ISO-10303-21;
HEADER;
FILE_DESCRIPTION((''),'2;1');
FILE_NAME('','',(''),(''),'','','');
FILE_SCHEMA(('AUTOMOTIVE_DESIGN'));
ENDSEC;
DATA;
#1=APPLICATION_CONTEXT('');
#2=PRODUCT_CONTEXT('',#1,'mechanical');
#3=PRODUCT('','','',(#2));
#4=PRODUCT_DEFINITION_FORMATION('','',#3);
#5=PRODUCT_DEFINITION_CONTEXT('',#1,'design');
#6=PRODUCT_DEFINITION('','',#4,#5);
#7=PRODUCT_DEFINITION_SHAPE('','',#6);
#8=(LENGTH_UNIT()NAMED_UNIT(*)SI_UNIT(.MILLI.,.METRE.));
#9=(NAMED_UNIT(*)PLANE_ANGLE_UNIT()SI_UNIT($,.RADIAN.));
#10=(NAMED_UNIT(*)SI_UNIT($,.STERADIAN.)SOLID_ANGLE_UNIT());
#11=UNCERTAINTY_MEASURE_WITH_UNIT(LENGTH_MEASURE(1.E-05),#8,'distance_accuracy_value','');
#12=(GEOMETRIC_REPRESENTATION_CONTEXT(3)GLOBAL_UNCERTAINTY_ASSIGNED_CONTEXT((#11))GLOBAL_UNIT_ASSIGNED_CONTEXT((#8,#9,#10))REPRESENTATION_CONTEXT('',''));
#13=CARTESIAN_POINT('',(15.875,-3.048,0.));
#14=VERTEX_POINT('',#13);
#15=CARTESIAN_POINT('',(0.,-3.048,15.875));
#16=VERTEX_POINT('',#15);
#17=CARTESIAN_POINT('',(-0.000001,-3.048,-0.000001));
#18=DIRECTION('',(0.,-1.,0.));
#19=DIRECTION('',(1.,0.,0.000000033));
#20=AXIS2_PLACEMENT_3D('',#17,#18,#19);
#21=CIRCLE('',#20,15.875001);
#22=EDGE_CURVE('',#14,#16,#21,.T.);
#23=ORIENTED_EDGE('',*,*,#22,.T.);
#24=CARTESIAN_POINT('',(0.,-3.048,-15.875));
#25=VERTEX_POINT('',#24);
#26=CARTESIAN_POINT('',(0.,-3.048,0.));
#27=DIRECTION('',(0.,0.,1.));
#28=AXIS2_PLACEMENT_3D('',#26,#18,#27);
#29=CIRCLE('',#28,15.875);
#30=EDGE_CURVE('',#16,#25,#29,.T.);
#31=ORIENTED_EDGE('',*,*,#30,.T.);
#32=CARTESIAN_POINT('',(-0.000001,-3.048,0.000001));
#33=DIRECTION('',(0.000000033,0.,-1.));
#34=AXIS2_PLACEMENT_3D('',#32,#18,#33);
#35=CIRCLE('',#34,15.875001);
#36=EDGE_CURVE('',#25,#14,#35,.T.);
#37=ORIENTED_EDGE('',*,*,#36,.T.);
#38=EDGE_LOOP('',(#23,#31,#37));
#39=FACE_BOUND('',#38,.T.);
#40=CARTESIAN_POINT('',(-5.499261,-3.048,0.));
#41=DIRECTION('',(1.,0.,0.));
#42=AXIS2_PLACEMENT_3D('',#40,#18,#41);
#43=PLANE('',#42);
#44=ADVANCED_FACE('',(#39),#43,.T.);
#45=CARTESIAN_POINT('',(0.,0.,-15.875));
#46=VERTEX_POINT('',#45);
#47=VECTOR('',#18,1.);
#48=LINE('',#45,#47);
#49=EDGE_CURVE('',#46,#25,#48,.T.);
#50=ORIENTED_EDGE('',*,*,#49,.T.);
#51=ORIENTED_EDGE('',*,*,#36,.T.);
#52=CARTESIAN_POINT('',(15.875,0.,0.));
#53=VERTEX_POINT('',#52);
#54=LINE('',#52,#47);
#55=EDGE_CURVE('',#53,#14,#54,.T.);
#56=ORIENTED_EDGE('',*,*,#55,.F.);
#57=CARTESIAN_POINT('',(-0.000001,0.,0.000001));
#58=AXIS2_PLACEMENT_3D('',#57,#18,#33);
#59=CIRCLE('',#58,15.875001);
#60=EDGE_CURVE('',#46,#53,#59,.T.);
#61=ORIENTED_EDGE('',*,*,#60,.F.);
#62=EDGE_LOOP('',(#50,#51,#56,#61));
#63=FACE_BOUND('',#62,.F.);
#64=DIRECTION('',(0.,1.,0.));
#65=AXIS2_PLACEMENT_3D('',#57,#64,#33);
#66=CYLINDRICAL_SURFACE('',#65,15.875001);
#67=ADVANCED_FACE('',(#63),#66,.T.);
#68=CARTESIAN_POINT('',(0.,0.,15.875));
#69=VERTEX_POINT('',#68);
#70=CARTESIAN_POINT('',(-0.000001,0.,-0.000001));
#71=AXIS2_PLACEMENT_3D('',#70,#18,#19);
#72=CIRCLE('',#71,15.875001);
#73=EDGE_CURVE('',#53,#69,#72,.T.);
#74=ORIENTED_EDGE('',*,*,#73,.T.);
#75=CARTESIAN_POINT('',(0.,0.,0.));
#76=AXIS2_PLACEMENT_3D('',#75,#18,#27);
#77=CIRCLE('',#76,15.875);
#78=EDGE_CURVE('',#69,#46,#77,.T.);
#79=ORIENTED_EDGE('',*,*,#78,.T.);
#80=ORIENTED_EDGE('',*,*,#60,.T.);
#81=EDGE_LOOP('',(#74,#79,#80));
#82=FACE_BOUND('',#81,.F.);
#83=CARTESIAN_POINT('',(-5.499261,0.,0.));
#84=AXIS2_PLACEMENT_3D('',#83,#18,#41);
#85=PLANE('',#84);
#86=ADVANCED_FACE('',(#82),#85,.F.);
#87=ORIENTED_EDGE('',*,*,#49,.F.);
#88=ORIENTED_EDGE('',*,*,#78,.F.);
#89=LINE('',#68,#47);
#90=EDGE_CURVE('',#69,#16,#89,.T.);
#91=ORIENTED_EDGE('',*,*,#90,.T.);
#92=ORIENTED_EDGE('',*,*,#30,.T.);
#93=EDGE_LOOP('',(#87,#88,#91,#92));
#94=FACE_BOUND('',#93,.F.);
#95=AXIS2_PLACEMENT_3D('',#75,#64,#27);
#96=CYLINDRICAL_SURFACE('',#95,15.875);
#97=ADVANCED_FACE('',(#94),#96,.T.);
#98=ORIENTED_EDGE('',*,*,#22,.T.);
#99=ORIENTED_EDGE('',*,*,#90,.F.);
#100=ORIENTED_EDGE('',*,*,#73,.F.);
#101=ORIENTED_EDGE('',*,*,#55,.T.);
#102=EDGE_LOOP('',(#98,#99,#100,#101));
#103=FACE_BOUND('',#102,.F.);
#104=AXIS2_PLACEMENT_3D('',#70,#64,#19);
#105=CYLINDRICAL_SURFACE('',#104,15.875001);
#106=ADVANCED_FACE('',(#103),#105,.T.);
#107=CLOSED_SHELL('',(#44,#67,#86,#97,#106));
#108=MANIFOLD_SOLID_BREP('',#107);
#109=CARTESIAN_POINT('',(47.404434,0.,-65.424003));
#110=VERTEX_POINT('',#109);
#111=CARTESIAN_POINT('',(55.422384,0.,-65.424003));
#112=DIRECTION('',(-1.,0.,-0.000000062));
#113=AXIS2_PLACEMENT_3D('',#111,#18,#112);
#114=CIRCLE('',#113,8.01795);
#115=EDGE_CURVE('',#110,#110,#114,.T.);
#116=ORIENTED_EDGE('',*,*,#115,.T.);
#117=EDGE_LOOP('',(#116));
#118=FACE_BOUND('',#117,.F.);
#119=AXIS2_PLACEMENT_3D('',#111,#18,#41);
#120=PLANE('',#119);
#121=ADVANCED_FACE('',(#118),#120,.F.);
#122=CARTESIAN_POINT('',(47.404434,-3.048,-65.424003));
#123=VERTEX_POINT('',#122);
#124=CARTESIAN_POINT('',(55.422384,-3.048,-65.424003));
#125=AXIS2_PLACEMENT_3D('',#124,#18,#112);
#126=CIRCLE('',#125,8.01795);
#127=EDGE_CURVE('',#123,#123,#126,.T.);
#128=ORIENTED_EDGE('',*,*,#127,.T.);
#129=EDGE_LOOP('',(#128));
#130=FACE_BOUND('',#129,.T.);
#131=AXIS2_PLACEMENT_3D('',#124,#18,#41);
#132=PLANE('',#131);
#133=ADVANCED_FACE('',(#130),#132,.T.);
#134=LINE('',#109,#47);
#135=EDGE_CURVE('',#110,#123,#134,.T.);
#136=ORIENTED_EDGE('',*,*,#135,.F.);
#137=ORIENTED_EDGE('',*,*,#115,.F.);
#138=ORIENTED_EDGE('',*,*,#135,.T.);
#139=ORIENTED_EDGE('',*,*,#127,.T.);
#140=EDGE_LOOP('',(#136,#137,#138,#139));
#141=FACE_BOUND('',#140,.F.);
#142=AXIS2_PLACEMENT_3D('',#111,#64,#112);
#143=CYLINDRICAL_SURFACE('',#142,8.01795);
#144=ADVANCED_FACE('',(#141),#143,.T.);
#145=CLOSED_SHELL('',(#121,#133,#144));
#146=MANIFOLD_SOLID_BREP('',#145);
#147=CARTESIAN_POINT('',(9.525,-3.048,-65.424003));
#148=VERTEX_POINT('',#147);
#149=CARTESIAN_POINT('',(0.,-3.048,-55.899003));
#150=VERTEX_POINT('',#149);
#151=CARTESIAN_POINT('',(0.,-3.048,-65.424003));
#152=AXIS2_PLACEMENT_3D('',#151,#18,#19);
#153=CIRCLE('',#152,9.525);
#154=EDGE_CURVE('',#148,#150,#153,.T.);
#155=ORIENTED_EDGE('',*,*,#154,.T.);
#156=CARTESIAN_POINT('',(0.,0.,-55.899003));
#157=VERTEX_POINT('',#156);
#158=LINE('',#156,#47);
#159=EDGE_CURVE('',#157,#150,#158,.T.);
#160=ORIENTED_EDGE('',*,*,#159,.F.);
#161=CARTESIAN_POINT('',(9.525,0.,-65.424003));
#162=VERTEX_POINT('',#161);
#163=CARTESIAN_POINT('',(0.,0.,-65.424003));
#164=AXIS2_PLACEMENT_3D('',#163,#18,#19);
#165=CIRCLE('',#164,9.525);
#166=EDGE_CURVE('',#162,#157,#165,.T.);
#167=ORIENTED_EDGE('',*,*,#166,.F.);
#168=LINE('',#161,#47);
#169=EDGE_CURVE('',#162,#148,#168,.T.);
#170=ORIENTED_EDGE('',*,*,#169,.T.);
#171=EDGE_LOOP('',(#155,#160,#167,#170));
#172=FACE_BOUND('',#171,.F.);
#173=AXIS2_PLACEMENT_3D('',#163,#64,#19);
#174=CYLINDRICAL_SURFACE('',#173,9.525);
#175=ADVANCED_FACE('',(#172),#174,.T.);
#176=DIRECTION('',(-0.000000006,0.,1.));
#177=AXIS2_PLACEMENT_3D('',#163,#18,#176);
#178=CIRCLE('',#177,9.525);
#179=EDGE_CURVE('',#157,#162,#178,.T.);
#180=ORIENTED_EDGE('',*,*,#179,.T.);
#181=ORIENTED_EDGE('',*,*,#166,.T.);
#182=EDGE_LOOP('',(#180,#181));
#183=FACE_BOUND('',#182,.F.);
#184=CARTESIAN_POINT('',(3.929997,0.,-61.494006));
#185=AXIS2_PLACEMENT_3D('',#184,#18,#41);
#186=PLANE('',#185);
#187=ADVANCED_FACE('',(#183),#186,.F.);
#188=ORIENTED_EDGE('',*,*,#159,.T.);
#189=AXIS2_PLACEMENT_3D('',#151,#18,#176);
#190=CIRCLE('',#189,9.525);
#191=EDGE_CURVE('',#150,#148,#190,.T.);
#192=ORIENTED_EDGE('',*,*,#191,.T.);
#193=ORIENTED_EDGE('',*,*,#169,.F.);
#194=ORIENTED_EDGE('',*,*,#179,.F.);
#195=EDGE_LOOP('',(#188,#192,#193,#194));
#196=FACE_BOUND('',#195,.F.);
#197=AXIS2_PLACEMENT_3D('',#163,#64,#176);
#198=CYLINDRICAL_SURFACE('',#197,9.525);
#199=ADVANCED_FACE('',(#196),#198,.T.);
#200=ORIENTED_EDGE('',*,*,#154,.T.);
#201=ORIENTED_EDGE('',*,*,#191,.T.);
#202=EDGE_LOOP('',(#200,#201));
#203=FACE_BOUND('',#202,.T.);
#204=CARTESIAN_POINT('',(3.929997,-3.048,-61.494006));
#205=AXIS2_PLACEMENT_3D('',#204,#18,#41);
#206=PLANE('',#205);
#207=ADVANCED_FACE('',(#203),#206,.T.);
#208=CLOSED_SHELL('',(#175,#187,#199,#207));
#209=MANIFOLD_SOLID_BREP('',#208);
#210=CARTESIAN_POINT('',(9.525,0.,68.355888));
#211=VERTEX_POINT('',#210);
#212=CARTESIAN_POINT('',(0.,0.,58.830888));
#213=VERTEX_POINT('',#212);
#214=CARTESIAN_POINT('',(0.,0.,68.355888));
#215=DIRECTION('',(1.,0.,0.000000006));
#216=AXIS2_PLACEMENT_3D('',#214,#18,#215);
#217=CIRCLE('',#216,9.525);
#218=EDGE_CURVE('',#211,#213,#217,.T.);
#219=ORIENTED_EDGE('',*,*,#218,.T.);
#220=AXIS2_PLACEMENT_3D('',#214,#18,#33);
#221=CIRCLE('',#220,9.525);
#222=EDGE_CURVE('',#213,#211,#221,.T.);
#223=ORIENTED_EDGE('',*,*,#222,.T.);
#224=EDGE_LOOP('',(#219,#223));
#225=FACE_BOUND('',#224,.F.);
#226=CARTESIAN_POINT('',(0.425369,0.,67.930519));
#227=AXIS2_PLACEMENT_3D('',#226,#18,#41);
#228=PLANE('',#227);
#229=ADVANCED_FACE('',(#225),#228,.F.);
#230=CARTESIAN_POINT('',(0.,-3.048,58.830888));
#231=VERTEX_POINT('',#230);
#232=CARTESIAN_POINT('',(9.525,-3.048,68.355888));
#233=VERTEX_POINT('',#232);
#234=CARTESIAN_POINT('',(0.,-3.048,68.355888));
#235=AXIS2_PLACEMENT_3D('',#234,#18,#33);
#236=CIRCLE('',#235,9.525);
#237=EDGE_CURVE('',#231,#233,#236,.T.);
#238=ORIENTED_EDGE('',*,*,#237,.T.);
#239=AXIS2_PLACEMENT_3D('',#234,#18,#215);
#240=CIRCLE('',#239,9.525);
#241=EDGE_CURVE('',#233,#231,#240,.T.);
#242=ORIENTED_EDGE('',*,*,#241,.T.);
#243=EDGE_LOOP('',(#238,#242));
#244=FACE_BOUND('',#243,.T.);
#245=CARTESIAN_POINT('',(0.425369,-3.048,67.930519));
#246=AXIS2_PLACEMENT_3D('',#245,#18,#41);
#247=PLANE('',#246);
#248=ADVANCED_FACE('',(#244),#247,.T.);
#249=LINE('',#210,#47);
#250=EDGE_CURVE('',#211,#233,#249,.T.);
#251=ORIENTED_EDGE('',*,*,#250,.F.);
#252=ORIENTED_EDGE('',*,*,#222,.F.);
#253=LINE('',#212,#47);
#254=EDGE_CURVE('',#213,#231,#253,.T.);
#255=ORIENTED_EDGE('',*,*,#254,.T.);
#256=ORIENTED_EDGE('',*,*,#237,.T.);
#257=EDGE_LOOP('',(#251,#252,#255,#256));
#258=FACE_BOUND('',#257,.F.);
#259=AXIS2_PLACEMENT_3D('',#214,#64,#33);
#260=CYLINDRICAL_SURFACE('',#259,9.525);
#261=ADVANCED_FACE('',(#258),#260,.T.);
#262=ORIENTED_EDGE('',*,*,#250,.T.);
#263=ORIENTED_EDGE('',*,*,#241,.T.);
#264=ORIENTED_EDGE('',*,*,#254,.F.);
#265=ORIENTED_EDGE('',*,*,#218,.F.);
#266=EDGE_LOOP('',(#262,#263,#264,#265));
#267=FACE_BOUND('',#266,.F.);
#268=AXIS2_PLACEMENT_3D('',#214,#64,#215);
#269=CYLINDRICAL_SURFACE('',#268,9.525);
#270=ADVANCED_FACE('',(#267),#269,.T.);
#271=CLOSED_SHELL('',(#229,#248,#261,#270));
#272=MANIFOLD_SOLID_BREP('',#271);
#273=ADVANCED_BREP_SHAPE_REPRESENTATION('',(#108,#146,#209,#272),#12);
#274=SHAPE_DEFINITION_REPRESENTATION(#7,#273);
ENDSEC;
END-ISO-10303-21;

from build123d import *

# Parameters (mm, degrees)
F1_DEPTH = 3.048


with BuildPart() as f1:
    # F0 (on Front) → F1 (new body)
    with BuildSketch(Plane.XZ):
        with BuildLine():
            Line((0, -65.424003), (9.525, -65.424003))
            ThreePointArc((9.525, -65.424003), (6.735192, -58.688811), (0, -55.899003))
            Line((0, -55.899003), (0, -65.424003))
        make_face()
        with BuildLine():
            ThreePointArc((9.525, 68.355888), (-6.735192, 75.09108), (0, 58.830888))
            ThreePointArc((0, 58.830888), (6.735192, 61.620696), (9.525, 68.355888))
        make_face()
        with BuildLine():
            ThreePointArc((0, 15.875), (-15.875, 0), (0, -15.875))
            Line((0, -15.875), (0, 15.875))
        make_face()
        with BuildLine():
            Line((0, 15.875), (0, -15.875))
            ThreePointArc((0, -15.875), (11.22532, -11.22532), (15.875, 0))
            ThreePointArc((15.875, 0), (11.22532, 11.22532), (0, 15.875))
        make_face()
        with BuildLine():
            ThreePointArc((0, -55.899003), (-6.735192, -72.159195), (9.525, -65.424003))
            Line((9.525, -65.424003), (0, -65.424003))
            Line((0, -65.424003), (0, -55.899003))
        make_face()
        with BuildLine():
            ThreePointArc((63.440335, -65.424003), (55.422384, -57.406052), (47.404434, -65.424003))
            ThreePointArc((47.404434, -65.424003), (55.422384, -73.441953), (63.440335, -65.424003))
        make_face()
    extrude(amount=F1_DEPTH)


solid = f1.part
